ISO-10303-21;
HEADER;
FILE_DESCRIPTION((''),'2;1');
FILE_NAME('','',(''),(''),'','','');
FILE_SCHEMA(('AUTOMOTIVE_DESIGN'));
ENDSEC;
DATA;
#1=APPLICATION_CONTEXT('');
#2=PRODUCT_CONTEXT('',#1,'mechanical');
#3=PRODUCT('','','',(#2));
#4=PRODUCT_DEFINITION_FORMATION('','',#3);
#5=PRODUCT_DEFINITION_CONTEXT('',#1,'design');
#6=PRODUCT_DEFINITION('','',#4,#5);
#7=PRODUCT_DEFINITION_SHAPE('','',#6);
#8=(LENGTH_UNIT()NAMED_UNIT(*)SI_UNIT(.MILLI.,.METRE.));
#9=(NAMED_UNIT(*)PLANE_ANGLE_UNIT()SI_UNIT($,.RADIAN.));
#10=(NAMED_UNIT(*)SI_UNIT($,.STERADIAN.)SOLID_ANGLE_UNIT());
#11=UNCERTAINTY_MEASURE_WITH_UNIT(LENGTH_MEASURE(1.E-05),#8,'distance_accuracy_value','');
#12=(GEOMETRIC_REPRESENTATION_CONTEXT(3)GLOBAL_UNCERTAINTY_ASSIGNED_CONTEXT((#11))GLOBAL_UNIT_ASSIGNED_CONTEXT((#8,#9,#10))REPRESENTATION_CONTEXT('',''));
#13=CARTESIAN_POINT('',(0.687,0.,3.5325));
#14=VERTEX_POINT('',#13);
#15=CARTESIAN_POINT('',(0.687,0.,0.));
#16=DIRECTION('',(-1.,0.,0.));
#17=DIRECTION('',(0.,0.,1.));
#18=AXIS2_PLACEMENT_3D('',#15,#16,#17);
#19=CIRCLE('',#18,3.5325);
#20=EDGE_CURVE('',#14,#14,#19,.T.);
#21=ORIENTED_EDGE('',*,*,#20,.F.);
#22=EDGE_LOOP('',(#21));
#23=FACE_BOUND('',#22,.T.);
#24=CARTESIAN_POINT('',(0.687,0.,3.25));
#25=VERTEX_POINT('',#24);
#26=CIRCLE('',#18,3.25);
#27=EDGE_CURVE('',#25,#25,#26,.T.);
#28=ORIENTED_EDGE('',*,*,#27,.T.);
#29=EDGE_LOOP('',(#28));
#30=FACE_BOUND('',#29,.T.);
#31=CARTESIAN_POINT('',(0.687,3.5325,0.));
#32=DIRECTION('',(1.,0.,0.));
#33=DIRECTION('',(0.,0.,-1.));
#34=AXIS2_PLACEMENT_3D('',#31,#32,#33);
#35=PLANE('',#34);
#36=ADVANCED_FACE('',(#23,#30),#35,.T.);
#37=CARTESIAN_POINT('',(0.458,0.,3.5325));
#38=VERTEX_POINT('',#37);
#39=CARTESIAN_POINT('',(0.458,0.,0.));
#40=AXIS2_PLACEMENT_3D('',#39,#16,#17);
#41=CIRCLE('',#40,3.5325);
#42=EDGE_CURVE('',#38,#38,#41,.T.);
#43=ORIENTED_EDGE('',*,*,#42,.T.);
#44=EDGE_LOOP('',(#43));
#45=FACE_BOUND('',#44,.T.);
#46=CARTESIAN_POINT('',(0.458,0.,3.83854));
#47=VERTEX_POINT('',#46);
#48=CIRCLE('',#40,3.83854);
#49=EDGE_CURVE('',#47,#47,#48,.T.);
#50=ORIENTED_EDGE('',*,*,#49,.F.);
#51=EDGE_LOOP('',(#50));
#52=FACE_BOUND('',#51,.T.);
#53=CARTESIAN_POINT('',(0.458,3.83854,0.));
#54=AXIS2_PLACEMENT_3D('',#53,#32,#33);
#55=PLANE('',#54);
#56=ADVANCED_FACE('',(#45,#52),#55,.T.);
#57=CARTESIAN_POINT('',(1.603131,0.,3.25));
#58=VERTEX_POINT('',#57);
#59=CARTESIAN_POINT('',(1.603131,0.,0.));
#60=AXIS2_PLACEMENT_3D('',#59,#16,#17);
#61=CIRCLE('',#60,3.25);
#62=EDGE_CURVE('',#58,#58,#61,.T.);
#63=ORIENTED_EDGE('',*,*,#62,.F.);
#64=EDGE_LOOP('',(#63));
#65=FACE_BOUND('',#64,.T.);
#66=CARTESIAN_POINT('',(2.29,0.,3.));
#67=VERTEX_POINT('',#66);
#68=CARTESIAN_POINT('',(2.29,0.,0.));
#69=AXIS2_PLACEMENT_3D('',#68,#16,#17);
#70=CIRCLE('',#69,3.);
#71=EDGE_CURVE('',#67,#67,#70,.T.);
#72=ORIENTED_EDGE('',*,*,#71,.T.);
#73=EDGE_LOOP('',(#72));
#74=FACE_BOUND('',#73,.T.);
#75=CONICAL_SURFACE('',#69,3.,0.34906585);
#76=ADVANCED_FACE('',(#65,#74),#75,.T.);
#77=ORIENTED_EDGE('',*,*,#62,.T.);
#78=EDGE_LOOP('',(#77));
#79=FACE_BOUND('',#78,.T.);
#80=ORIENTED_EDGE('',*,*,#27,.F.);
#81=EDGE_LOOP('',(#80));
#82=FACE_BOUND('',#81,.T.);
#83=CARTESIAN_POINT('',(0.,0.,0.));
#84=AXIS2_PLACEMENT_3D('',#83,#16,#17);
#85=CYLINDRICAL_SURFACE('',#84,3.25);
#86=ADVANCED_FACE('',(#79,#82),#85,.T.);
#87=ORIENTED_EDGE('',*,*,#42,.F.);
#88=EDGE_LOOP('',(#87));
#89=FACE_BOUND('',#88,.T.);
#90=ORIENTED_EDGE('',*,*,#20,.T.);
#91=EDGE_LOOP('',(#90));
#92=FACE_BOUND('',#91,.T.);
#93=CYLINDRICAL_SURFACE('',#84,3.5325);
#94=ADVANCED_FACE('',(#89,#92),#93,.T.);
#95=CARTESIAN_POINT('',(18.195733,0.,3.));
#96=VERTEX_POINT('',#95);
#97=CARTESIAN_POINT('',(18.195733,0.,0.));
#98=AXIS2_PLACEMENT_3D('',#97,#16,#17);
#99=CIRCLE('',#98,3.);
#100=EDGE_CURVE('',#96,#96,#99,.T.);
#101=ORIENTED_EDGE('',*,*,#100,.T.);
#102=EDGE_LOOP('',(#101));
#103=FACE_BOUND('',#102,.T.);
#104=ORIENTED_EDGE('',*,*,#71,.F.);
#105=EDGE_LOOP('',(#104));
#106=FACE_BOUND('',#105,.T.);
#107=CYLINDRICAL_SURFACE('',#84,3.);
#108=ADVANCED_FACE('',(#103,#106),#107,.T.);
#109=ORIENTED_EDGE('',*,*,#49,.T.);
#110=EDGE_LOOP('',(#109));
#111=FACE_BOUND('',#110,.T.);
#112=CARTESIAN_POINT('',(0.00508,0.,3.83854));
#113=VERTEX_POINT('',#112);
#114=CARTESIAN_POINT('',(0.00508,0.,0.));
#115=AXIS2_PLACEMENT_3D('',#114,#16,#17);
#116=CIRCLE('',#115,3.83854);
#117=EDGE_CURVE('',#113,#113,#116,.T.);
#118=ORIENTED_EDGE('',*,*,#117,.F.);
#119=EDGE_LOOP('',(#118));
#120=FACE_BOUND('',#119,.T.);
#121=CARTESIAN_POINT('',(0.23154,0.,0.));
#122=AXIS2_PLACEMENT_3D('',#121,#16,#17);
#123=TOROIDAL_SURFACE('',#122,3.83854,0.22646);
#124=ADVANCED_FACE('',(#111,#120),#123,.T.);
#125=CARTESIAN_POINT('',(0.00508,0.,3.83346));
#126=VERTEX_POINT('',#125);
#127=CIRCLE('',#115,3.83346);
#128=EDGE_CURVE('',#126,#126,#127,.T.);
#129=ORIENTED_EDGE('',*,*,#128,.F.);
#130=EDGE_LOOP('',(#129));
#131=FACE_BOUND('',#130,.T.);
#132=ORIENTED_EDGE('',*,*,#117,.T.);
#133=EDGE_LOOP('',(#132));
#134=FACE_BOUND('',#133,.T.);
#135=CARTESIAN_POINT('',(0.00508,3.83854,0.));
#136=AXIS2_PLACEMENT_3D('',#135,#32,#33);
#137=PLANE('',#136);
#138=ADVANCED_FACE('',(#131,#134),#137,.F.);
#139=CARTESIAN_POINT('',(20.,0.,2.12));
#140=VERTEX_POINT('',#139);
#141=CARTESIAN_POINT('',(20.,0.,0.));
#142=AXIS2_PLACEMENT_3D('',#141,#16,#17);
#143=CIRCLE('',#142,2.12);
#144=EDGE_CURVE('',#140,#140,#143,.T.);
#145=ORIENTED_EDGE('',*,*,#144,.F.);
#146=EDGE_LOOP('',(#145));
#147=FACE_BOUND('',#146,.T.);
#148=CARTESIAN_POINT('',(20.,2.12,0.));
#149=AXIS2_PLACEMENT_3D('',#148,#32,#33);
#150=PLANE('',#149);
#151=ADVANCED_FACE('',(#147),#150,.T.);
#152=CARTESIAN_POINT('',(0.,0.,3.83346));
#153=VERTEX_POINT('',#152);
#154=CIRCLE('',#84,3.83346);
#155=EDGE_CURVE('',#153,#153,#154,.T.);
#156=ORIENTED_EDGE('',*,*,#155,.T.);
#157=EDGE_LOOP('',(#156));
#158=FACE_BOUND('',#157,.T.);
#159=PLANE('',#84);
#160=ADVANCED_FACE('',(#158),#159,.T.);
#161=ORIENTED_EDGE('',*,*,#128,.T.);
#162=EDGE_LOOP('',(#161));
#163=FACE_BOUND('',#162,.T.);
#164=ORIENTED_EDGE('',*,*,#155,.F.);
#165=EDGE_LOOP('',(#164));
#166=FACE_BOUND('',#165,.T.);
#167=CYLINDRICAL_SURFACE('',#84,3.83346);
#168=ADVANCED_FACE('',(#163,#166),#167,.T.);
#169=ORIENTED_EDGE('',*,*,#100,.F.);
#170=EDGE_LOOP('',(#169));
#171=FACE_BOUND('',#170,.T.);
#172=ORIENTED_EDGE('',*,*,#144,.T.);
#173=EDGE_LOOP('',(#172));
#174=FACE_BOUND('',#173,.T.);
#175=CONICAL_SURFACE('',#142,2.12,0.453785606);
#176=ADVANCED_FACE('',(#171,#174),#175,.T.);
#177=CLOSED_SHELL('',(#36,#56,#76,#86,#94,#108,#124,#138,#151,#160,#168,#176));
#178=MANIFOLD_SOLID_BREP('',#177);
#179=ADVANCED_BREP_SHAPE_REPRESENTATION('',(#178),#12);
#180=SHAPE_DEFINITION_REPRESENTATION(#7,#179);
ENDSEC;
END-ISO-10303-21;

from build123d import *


with BuildPart() as part:
    # BodySke → BaseBody (revolve)
    with BuildSketch(Plane.XY, mode=Mode.PRIVATE) as basebody_sk:
        with BuildLine():
            Line((0, 0), (0, 3.83346))
            Line((0, 3.83346), (0.00508, 3.83346))
            Line((0.00508, 3.83346), (0.00508, 3.83854))
            ThreePointArc((0.00508, 3.83854), (0.23154, 4.065), (0.458, 3.83854))
            Line((0.458, 3.83854), (0.458, 3.5325))
            Line((0.458, 3.5325), (0.687, 3.5325))
            Line((0.687, 3.5325), (0.687, 3.25))
            Line((0.687, 3.25), (1.603130645, 3.25))
            Line((1.603130645, 3.25), (2.29, 3))
            Line((2.29, 3), (18.195732619, 3))
            Line((18.195732619, 3), (20, 2.12))
            Line((20, 2.12), (20, 0))
            Line((20, 0), (0, 0))
        make_face()
    revolve(basebody_sk.sketch.rotate(Axis((0, 0, 0), (1, 0, 0)), 90), axis=Axis((0, 0, 0), (1, 0, 0)))


solid = part.part
